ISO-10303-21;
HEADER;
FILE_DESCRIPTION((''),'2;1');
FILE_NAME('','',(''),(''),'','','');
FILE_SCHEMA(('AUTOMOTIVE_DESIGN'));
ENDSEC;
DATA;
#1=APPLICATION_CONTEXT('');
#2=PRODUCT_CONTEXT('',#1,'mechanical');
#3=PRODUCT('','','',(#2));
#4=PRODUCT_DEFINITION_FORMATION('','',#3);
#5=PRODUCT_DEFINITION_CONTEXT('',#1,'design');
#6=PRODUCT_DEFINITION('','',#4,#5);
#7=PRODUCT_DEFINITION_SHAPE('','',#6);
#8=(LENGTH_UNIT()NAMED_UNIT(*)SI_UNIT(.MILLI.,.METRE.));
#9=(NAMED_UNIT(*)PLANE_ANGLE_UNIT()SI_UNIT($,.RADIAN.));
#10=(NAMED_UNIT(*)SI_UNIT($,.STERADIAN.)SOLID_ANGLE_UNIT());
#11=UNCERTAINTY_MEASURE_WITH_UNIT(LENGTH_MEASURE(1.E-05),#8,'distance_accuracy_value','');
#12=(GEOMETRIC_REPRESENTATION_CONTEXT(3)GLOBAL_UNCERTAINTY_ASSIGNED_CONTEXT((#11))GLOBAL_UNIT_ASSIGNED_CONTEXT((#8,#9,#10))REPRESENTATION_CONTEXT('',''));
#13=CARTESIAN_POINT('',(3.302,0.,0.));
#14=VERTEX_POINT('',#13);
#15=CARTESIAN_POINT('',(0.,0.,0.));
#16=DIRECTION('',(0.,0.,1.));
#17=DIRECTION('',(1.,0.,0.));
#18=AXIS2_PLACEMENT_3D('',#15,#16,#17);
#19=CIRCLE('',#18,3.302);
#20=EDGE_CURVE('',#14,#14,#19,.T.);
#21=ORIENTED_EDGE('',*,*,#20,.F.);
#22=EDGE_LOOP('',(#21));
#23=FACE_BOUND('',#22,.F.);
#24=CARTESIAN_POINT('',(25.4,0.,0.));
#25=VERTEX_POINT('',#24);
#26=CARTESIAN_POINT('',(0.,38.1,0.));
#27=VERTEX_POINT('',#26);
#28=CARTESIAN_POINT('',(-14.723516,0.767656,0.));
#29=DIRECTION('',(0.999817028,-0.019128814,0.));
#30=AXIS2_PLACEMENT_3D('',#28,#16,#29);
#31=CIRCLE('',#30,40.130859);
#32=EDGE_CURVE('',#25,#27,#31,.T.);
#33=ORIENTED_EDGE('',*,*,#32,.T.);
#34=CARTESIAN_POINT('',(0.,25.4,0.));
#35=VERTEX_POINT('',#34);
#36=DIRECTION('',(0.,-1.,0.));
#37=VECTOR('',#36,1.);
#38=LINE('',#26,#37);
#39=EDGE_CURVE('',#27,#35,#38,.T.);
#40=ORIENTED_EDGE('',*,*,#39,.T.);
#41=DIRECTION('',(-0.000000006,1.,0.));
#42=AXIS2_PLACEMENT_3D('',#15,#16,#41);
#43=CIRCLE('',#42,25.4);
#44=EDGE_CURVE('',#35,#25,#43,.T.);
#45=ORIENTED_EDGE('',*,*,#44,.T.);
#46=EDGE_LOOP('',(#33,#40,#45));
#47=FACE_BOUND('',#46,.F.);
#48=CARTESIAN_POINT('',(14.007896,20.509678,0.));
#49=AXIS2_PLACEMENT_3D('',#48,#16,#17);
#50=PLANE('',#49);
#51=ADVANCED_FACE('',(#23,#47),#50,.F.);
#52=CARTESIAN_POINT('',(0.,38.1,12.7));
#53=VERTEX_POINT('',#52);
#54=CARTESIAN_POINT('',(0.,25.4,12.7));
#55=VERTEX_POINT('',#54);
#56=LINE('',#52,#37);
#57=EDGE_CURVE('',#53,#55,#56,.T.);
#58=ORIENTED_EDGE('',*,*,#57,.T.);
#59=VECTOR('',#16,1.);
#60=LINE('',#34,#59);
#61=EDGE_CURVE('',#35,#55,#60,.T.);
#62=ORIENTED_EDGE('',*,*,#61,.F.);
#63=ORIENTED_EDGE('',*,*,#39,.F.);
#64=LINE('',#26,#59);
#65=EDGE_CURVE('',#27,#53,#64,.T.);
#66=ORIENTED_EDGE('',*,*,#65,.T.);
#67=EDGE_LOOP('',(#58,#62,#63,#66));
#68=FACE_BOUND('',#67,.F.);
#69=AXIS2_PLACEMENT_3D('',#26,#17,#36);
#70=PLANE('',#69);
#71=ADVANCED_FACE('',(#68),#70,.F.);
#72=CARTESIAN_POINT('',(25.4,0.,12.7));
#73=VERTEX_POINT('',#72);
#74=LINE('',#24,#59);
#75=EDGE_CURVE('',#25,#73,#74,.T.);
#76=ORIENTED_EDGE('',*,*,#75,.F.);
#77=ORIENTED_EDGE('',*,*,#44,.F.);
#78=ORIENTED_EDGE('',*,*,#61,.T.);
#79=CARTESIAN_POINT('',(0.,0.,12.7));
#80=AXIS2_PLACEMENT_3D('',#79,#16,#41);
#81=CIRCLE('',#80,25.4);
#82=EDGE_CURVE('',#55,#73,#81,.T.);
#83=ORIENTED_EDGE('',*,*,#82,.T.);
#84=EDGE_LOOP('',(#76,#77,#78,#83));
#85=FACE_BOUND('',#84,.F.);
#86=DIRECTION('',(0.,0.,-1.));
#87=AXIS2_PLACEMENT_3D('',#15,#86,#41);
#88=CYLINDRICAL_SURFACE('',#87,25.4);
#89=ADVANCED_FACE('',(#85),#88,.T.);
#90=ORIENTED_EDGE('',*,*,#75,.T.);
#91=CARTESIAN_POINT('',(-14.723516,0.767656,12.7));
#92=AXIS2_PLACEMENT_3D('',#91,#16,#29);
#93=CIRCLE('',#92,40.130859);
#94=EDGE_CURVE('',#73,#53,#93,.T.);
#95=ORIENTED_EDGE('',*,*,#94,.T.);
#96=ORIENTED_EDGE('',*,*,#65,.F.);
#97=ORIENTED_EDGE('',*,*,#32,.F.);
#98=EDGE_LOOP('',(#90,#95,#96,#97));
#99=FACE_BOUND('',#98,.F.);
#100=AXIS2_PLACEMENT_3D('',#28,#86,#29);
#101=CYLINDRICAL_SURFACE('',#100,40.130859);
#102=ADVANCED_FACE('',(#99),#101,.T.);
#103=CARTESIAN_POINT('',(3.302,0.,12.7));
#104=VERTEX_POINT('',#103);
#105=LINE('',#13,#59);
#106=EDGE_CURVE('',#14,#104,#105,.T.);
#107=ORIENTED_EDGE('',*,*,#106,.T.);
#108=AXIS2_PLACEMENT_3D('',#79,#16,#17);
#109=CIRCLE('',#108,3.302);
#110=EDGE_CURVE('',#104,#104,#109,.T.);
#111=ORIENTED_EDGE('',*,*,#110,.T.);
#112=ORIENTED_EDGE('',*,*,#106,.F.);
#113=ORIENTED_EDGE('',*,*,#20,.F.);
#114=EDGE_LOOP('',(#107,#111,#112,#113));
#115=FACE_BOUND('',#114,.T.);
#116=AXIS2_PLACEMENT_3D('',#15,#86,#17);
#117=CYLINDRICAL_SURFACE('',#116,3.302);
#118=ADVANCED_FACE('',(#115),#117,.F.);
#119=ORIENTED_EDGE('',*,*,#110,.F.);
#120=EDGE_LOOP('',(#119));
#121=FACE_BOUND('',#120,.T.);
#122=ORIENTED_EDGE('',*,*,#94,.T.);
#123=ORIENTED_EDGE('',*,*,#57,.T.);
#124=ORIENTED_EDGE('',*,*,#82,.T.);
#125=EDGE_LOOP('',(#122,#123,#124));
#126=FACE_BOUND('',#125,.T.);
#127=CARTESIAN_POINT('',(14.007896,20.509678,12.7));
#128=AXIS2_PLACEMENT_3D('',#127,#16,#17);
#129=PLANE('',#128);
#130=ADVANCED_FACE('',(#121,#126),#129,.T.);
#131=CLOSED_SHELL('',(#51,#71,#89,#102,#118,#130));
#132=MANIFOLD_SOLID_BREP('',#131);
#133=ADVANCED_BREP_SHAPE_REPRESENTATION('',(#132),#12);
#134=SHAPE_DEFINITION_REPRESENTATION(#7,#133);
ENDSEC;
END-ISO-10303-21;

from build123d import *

# Parameters (mm, degrees)
F0_R     = 3.302
F1_DEPTH = 12.7


with BuildPart() as f1:
    # F0 (on Top) → F1 (new body)
    with BuildSketch(Plane.XY):
        with BuildLine():
            ThreePointArc((0, 25.4), (17.960512, 17.960512), (25.4, 0))
            ThreePointArc((25.4, 0), (18.667377, 23.028251), (0, 38.1))
            Line((0, 38.1), (0, 25.4))
        make_face()
        with BuildLine():
            ThreePointArc((0, 25.4), (-17.960512, -17.960512), (25.4, 0))
            ThreePointArc((25.4, 0), (17.960512, 17.960512), (0, 25.4))
        make_face()
        Circle(F0_R, mode=Mode.SUBTRACT)
    extrude(amount=F1_DEPTH)


solid = f1.part
